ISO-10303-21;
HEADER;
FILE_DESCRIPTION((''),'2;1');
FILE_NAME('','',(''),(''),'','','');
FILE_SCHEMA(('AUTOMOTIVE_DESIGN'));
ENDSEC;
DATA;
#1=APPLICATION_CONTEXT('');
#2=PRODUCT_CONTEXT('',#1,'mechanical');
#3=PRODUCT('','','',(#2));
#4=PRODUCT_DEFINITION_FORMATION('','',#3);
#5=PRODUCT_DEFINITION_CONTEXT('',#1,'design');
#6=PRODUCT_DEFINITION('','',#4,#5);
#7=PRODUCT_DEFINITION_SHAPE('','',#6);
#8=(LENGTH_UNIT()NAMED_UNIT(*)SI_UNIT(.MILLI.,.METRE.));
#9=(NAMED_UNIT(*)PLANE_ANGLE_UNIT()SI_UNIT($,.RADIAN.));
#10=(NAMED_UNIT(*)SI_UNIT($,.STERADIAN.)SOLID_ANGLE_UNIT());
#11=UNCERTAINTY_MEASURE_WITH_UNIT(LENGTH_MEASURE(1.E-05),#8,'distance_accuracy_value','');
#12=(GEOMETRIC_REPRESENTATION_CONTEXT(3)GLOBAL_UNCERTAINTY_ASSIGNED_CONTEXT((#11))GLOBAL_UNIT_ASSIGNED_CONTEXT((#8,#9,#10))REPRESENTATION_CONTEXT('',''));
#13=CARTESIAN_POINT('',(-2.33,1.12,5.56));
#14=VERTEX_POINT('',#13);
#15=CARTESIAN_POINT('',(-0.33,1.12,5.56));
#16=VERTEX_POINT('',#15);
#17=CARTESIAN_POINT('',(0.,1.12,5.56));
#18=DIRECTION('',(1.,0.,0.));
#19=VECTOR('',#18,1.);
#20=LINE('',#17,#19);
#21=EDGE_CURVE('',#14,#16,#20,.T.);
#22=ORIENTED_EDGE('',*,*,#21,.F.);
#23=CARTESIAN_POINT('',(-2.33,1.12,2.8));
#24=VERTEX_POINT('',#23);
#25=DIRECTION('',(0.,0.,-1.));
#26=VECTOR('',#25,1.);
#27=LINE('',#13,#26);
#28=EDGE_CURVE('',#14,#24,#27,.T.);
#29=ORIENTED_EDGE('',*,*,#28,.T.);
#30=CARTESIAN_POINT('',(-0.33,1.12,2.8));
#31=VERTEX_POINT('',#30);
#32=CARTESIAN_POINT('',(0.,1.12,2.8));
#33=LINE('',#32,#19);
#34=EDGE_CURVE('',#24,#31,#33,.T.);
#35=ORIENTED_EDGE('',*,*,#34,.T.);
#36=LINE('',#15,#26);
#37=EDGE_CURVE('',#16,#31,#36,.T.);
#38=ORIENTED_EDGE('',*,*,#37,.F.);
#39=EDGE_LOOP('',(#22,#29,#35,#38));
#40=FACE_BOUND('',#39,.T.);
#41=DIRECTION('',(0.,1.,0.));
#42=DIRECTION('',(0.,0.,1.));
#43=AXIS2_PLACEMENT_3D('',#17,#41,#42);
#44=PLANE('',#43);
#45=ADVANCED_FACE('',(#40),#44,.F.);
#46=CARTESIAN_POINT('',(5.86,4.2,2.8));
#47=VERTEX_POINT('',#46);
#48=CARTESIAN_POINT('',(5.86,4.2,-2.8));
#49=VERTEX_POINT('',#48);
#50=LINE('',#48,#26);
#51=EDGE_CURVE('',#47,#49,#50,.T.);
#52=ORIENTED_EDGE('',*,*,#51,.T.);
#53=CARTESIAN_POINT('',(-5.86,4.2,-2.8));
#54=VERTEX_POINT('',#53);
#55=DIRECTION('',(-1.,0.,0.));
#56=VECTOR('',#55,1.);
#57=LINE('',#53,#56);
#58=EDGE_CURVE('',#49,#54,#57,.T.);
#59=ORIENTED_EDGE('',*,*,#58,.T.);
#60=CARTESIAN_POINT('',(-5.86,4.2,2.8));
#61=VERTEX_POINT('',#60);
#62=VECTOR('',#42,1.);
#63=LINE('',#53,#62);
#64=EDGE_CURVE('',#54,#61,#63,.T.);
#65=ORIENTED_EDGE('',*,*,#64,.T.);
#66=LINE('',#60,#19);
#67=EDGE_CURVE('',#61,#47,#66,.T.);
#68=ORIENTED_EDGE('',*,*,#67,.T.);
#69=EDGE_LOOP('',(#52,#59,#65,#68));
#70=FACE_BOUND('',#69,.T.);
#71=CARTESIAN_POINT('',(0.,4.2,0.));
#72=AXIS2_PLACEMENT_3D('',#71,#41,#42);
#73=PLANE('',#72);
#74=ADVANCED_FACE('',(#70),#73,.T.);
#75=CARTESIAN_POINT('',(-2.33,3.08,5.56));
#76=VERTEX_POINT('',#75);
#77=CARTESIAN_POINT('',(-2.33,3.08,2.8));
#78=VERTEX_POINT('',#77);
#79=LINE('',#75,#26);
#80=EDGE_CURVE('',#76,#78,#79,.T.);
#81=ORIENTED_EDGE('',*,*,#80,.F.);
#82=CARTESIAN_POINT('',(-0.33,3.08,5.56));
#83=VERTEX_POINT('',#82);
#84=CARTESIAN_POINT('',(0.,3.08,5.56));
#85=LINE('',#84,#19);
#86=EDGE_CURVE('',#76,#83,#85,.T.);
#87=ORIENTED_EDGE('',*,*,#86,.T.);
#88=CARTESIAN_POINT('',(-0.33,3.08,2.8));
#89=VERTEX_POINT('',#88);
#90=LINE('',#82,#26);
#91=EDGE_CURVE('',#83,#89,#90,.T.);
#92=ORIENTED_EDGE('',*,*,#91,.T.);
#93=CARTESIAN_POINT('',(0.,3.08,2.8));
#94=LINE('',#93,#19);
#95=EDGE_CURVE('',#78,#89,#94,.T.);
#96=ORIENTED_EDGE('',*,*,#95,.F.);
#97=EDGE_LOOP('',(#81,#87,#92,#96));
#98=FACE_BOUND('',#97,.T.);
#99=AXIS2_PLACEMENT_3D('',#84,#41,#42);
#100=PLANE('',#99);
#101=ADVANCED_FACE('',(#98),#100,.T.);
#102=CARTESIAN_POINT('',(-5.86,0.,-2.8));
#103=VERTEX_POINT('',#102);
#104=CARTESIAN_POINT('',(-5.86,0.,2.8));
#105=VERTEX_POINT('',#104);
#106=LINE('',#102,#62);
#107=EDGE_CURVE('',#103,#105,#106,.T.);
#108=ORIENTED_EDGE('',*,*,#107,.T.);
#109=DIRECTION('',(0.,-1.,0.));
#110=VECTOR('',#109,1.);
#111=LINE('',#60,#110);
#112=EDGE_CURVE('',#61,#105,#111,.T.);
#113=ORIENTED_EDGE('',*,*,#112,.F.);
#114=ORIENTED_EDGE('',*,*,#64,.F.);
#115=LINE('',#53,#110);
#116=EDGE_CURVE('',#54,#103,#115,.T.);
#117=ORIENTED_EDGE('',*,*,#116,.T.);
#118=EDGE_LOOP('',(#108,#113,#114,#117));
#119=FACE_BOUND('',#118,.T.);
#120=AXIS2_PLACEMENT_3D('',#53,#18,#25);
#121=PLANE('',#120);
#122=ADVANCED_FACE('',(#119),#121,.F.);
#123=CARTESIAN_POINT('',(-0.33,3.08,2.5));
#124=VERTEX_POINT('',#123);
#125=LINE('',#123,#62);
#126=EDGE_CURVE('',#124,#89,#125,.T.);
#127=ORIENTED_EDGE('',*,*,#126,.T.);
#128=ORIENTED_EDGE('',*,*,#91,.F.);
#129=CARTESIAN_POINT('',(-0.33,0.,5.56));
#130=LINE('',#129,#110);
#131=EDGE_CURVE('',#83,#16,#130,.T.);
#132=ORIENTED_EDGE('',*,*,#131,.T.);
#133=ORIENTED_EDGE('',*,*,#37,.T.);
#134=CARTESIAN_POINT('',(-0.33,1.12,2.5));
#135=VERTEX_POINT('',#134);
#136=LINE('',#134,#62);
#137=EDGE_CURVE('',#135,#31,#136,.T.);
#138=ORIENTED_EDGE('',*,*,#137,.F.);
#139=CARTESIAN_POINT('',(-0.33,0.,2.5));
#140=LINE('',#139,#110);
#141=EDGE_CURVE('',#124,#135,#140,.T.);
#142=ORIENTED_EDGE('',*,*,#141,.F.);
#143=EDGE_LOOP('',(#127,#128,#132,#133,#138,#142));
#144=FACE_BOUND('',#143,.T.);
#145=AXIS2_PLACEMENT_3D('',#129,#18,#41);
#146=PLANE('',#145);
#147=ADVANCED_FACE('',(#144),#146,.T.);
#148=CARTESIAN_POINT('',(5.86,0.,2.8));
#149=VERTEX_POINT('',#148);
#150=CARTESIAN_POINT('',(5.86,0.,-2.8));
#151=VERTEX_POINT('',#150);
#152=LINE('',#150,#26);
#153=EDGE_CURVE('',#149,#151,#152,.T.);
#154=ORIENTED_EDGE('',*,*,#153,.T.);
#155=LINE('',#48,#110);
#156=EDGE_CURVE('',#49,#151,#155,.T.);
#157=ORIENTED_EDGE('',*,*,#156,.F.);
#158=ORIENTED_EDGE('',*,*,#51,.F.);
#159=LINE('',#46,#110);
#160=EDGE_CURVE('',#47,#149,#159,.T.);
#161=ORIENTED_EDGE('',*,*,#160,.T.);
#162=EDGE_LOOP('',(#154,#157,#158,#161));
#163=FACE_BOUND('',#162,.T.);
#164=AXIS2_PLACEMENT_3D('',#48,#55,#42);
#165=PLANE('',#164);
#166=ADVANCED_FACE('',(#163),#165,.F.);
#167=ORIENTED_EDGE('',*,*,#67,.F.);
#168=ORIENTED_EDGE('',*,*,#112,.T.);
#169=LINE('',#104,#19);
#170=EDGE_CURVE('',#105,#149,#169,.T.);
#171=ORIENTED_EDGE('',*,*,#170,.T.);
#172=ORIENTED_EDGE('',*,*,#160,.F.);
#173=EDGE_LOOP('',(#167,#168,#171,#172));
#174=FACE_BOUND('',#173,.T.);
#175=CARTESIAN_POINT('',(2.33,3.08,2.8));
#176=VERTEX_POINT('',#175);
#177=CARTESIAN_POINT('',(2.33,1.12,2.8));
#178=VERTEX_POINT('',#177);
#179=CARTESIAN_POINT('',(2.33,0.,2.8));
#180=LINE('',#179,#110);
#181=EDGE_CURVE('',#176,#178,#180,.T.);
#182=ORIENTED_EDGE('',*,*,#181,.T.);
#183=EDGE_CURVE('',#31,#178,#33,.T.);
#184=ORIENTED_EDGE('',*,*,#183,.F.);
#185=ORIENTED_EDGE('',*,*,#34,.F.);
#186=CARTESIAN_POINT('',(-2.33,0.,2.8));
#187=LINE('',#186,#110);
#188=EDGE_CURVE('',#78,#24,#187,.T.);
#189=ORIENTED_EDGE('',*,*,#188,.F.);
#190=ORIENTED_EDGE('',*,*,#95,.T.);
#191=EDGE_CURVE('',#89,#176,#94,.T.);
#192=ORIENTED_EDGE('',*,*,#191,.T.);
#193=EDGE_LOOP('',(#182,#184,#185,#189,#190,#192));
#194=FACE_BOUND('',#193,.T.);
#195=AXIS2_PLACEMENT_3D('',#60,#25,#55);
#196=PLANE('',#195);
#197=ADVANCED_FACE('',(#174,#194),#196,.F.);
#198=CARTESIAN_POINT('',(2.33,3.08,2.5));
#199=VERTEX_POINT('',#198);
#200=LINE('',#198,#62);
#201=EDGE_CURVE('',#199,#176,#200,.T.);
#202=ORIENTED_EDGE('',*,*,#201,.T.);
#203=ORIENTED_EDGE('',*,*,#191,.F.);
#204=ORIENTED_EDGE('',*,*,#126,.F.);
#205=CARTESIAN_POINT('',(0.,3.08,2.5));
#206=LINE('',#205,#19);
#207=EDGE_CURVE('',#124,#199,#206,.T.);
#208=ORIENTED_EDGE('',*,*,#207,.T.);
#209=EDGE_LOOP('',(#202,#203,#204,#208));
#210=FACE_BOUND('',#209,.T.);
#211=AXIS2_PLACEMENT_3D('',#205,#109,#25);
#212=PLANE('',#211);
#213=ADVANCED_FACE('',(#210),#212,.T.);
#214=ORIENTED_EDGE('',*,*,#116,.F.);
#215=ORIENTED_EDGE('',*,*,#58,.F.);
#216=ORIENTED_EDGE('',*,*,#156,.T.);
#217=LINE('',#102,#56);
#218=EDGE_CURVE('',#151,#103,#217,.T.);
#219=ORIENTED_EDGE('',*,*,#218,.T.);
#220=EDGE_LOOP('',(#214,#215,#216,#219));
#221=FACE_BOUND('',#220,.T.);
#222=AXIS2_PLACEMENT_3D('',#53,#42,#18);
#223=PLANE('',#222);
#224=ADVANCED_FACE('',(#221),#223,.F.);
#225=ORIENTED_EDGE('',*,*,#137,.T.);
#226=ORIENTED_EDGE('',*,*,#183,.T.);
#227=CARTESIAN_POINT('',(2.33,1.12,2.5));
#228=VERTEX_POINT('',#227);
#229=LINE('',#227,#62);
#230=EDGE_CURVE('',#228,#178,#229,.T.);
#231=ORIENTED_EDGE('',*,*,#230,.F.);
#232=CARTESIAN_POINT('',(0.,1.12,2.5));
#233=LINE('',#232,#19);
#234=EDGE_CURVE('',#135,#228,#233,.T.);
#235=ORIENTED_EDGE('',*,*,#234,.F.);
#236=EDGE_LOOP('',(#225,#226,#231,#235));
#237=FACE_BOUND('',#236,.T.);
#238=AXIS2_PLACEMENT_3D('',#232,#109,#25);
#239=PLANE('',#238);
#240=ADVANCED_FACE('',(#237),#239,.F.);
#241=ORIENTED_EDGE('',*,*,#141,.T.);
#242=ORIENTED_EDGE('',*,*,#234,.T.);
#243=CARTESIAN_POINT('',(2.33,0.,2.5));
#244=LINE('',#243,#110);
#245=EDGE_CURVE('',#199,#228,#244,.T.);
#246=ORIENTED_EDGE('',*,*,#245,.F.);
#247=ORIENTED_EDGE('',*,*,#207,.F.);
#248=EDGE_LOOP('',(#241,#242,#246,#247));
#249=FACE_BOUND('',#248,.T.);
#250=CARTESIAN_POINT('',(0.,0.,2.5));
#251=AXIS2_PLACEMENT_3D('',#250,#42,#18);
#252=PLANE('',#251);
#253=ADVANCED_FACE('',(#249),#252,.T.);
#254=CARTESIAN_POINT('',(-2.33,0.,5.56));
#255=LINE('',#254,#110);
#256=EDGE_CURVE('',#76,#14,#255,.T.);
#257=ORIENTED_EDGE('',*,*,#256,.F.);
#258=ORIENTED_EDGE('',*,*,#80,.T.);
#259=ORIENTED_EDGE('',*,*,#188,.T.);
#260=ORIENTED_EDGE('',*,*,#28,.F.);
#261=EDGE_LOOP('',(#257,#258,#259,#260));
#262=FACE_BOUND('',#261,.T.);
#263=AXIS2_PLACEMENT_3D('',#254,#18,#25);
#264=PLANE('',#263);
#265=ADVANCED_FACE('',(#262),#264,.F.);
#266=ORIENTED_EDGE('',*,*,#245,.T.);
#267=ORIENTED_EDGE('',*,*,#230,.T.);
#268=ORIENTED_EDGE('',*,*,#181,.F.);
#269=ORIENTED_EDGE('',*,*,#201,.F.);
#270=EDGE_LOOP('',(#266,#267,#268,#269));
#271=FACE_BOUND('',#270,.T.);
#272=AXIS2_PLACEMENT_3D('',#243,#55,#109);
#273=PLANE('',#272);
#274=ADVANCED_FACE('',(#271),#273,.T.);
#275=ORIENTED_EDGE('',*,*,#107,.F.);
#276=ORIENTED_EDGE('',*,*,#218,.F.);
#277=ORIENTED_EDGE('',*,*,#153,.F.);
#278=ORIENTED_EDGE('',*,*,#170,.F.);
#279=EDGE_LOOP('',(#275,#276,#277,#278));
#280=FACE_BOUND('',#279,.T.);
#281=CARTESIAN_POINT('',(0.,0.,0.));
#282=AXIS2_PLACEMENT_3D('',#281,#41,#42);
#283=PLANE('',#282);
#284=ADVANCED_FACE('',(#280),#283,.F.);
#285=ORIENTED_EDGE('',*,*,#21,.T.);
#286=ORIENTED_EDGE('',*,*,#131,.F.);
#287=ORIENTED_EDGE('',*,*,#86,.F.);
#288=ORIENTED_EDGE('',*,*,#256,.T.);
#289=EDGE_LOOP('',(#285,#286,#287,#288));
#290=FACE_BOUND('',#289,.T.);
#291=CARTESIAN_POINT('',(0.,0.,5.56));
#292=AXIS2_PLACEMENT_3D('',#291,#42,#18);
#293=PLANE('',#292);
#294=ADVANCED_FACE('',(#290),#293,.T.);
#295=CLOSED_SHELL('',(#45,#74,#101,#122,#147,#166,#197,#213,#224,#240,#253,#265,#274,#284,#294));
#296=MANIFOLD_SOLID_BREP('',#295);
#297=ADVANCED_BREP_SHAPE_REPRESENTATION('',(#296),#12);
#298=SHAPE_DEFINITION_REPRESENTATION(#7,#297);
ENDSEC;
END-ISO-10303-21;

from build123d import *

# Parameters (mm, degrees)
SKETCH1_W           = 11.72
SKETCH1_H           = 5.6
BOSS_EXTRUDE1_DEPTH = 4.2
SKETCH2_W           = 2
SKETCH2_H           = 1.96
BOSS_EXTRUDE2_DEPTH = 2.76
SKETCH2_3_W         = 2.66
SKETCH2_3_H         = 1.96
CUT_EXTRUDE1_DEPTH  = 0.3


with BuildPart() as part:
    # Sketch1 → Boss-Extrude1 (new body)
    with BuildSketch(Plane(origin=(0, 0, 0), x_dir=(1, 0, 0), z_dir=(0, 1, 0))):
        Rectangle(SKETCH1_W, SKETCH1_H)
    extrude(amount=BOSS_EXTRUDE1_DEPTH)

    # Sketch2 → Boss-Extrude2 (add)
    with BuildSketch(Plane.XY.offset(2.8)):
        with Locations((-1.33, 2.1)):
            Rectangle(SKETCH2_W, SKETCH2_H)
    extrude(amount=BOSS_EXTRUDE2_DEPTH)

    # Sketch2<3> → Cut-Extrude1 (cut)
    with BuildSketch(Plane.XY.offset(2.8)):
        with Locations((1, 2.1)):
            Rectangle(SKETCH2_3_W, SKETCH2_3_H)
    extrude(amount=-CUT_EXTRUDE1_DEPTH, mode=Mode.SUBTRACT)


solid = part.part
